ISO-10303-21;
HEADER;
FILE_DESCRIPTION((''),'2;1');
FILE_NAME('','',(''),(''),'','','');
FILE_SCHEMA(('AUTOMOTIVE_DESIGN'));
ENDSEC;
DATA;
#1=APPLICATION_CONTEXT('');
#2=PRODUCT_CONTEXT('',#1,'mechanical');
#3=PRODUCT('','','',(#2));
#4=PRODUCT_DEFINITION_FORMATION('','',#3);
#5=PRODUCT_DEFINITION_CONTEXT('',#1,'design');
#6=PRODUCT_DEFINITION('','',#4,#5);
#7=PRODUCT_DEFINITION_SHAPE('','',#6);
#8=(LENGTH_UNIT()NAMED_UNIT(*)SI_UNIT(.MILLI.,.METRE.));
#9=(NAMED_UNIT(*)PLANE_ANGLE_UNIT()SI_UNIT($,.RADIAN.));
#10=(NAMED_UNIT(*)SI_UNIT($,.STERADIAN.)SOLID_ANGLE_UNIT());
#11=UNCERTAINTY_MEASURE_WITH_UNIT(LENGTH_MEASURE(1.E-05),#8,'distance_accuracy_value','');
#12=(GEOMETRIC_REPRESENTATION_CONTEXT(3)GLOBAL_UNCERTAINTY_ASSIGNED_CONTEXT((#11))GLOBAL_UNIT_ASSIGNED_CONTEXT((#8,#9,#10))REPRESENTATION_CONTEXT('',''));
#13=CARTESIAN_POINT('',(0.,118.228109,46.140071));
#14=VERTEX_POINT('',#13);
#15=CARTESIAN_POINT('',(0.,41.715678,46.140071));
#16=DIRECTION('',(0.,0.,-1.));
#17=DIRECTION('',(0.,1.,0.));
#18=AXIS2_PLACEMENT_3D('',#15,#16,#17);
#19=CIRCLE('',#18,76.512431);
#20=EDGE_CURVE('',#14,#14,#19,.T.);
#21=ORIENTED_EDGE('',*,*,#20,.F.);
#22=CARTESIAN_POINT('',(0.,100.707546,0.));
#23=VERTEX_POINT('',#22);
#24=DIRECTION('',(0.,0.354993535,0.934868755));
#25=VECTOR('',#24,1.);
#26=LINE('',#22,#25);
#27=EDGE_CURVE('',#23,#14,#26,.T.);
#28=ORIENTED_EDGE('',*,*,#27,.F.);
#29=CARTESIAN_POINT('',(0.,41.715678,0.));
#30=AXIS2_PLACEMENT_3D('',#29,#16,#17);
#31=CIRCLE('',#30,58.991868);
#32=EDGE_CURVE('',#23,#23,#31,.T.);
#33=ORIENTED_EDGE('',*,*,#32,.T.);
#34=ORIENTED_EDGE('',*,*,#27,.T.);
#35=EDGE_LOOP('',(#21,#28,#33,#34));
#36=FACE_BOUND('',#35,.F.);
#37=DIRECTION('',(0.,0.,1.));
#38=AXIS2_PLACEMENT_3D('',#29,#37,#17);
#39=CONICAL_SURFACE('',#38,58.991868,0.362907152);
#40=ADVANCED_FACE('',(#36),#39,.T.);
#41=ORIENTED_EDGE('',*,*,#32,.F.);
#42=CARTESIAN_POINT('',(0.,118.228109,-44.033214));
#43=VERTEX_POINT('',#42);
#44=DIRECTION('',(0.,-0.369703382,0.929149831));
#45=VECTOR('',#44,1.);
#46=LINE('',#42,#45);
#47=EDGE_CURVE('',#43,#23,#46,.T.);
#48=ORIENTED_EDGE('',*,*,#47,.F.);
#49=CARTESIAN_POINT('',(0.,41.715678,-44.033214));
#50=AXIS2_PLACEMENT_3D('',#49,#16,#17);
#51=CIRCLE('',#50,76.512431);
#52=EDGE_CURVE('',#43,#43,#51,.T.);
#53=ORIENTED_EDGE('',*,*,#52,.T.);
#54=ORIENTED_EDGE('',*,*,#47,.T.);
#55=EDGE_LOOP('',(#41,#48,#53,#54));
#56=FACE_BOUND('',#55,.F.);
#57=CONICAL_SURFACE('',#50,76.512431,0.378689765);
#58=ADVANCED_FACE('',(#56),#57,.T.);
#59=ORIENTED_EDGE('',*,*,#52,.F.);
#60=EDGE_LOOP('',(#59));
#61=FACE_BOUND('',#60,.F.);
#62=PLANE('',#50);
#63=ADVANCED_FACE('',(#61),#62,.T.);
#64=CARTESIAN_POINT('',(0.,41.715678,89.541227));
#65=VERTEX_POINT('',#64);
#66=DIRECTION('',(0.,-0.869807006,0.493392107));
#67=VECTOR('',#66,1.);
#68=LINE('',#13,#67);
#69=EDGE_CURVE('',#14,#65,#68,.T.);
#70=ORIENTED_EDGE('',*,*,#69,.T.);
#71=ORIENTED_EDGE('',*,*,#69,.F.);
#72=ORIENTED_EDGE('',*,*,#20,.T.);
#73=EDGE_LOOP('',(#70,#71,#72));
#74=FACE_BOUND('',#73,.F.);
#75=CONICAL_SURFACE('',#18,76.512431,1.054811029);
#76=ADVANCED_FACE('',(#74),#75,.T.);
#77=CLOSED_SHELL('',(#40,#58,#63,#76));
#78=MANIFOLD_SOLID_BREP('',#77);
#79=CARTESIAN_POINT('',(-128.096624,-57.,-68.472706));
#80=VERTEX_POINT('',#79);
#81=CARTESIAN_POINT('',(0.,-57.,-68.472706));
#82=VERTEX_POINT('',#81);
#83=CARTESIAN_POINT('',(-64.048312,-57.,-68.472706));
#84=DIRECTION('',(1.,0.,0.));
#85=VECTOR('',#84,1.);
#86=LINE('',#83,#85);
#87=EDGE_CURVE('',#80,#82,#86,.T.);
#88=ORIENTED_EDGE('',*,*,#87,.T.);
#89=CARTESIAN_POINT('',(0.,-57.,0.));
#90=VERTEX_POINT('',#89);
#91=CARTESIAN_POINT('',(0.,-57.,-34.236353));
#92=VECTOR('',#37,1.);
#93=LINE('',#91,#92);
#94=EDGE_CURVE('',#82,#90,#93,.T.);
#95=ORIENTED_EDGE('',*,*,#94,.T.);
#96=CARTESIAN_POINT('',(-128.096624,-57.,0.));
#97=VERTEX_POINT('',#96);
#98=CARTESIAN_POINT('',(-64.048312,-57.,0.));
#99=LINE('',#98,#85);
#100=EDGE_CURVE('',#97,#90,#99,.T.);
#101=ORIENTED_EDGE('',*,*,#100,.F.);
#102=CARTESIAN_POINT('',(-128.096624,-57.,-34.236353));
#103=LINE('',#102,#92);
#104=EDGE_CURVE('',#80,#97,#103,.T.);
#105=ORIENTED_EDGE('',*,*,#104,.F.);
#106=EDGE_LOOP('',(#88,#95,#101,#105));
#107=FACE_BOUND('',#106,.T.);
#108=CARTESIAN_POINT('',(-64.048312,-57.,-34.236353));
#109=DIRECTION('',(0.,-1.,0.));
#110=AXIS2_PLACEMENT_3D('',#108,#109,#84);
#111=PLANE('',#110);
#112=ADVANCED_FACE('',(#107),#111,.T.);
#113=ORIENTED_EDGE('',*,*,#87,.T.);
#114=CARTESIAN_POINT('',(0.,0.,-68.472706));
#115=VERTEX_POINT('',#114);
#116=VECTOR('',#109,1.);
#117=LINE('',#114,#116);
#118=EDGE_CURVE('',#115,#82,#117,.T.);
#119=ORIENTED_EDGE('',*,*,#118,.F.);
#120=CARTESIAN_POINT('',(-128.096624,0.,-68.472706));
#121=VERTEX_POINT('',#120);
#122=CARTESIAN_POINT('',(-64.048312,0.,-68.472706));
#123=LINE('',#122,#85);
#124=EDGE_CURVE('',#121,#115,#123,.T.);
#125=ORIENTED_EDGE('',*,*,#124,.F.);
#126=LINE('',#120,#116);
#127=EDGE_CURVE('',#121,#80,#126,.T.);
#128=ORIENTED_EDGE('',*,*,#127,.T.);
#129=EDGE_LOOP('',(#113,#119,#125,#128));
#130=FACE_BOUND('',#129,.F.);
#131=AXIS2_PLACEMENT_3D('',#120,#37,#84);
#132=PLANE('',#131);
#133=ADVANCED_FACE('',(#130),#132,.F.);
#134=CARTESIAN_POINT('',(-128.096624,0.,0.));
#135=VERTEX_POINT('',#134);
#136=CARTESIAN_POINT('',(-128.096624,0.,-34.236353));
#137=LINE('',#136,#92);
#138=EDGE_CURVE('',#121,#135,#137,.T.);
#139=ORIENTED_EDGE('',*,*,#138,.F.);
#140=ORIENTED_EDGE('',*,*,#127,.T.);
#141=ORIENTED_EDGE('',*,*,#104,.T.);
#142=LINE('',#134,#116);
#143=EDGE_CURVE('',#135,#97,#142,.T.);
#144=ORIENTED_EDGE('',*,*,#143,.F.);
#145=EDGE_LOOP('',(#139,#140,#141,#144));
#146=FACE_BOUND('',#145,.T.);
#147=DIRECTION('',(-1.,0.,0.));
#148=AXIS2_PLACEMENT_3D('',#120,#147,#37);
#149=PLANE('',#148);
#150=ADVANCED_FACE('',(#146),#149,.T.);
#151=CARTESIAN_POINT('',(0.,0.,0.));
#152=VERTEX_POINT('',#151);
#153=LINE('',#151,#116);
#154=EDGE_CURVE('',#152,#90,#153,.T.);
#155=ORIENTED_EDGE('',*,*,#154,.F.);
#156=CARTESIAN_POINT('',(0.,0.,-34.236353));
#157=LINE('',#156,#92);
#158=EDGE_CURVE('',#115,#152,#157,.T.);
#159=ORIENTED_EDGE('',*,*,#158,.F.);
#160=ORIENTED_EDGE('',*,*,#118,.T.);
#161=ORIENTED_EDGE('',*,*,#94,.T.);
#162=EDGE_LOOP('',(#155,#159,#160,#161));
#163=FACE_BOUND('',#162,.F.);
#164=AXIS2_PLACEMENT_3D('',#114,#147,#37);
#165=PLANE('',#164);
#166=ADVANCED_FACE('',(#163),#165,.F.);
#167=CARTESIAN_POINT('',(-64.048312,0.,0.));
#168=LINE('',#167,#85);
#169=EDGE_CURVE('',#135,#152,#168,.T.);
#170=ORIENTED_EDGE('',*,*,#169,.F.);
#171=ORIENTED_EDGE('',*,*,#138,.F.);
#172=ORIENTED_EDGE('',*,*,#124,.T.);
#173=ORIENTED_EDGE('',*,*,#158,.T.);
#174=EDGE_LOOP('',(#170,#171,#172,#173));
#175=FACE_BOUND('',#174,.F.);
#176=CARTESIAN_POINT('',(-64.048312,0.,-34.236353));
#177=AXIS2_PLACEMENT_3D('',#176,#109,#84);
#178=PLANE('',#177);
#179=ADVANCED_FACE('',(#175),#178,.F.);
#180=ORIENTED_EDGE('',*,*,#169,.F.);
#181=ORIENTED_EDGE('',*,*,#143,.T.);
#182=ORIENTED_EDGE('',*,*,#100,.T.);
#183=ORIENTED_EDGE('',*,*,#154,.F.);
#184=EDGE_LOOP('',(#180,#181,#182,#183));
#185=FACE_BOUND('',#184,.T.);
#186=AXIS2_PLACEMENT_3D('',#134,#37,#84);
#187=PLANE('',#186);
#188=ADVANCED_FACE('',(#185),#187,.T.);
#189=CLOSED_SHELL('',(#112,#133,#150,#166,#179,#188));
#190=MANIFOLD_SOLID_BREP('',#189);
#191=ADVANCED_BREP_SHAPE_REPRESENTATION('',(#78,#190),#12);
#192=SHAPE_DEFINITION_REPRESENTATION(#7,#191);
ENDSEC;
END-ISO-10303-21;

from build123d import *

# Parameters (mm, degrees)
F0_W     = 128.096625
F0_H     = 68.472706
F1_DEPTH = 57


with BuildPart() as f1:
    # F0 (on Front) → F1 (new body)
    with BuildSketch(Plane.XZ):
        with Locations((-64.048312, -34.236353)):
            Rectangle(F0_W, F0_H)
    extrude(amount=F1_DEPTH)


with BuildPart() as f3:
    # F2 (on Right) → F3 (revolve)
    with BuildSketch(Plane.YZ):
        Polygon((118.228109, 46.140071), (41.715678, 89.541227), (41.715678, -44.033214), (118.228109, -44.033214), (100.707546, 0), align=None)
    revolve(axis=Axis((0, 41.715678, 22.754006), (0, 0, -1)))


solid = Compound([f1.part, f3.part])
